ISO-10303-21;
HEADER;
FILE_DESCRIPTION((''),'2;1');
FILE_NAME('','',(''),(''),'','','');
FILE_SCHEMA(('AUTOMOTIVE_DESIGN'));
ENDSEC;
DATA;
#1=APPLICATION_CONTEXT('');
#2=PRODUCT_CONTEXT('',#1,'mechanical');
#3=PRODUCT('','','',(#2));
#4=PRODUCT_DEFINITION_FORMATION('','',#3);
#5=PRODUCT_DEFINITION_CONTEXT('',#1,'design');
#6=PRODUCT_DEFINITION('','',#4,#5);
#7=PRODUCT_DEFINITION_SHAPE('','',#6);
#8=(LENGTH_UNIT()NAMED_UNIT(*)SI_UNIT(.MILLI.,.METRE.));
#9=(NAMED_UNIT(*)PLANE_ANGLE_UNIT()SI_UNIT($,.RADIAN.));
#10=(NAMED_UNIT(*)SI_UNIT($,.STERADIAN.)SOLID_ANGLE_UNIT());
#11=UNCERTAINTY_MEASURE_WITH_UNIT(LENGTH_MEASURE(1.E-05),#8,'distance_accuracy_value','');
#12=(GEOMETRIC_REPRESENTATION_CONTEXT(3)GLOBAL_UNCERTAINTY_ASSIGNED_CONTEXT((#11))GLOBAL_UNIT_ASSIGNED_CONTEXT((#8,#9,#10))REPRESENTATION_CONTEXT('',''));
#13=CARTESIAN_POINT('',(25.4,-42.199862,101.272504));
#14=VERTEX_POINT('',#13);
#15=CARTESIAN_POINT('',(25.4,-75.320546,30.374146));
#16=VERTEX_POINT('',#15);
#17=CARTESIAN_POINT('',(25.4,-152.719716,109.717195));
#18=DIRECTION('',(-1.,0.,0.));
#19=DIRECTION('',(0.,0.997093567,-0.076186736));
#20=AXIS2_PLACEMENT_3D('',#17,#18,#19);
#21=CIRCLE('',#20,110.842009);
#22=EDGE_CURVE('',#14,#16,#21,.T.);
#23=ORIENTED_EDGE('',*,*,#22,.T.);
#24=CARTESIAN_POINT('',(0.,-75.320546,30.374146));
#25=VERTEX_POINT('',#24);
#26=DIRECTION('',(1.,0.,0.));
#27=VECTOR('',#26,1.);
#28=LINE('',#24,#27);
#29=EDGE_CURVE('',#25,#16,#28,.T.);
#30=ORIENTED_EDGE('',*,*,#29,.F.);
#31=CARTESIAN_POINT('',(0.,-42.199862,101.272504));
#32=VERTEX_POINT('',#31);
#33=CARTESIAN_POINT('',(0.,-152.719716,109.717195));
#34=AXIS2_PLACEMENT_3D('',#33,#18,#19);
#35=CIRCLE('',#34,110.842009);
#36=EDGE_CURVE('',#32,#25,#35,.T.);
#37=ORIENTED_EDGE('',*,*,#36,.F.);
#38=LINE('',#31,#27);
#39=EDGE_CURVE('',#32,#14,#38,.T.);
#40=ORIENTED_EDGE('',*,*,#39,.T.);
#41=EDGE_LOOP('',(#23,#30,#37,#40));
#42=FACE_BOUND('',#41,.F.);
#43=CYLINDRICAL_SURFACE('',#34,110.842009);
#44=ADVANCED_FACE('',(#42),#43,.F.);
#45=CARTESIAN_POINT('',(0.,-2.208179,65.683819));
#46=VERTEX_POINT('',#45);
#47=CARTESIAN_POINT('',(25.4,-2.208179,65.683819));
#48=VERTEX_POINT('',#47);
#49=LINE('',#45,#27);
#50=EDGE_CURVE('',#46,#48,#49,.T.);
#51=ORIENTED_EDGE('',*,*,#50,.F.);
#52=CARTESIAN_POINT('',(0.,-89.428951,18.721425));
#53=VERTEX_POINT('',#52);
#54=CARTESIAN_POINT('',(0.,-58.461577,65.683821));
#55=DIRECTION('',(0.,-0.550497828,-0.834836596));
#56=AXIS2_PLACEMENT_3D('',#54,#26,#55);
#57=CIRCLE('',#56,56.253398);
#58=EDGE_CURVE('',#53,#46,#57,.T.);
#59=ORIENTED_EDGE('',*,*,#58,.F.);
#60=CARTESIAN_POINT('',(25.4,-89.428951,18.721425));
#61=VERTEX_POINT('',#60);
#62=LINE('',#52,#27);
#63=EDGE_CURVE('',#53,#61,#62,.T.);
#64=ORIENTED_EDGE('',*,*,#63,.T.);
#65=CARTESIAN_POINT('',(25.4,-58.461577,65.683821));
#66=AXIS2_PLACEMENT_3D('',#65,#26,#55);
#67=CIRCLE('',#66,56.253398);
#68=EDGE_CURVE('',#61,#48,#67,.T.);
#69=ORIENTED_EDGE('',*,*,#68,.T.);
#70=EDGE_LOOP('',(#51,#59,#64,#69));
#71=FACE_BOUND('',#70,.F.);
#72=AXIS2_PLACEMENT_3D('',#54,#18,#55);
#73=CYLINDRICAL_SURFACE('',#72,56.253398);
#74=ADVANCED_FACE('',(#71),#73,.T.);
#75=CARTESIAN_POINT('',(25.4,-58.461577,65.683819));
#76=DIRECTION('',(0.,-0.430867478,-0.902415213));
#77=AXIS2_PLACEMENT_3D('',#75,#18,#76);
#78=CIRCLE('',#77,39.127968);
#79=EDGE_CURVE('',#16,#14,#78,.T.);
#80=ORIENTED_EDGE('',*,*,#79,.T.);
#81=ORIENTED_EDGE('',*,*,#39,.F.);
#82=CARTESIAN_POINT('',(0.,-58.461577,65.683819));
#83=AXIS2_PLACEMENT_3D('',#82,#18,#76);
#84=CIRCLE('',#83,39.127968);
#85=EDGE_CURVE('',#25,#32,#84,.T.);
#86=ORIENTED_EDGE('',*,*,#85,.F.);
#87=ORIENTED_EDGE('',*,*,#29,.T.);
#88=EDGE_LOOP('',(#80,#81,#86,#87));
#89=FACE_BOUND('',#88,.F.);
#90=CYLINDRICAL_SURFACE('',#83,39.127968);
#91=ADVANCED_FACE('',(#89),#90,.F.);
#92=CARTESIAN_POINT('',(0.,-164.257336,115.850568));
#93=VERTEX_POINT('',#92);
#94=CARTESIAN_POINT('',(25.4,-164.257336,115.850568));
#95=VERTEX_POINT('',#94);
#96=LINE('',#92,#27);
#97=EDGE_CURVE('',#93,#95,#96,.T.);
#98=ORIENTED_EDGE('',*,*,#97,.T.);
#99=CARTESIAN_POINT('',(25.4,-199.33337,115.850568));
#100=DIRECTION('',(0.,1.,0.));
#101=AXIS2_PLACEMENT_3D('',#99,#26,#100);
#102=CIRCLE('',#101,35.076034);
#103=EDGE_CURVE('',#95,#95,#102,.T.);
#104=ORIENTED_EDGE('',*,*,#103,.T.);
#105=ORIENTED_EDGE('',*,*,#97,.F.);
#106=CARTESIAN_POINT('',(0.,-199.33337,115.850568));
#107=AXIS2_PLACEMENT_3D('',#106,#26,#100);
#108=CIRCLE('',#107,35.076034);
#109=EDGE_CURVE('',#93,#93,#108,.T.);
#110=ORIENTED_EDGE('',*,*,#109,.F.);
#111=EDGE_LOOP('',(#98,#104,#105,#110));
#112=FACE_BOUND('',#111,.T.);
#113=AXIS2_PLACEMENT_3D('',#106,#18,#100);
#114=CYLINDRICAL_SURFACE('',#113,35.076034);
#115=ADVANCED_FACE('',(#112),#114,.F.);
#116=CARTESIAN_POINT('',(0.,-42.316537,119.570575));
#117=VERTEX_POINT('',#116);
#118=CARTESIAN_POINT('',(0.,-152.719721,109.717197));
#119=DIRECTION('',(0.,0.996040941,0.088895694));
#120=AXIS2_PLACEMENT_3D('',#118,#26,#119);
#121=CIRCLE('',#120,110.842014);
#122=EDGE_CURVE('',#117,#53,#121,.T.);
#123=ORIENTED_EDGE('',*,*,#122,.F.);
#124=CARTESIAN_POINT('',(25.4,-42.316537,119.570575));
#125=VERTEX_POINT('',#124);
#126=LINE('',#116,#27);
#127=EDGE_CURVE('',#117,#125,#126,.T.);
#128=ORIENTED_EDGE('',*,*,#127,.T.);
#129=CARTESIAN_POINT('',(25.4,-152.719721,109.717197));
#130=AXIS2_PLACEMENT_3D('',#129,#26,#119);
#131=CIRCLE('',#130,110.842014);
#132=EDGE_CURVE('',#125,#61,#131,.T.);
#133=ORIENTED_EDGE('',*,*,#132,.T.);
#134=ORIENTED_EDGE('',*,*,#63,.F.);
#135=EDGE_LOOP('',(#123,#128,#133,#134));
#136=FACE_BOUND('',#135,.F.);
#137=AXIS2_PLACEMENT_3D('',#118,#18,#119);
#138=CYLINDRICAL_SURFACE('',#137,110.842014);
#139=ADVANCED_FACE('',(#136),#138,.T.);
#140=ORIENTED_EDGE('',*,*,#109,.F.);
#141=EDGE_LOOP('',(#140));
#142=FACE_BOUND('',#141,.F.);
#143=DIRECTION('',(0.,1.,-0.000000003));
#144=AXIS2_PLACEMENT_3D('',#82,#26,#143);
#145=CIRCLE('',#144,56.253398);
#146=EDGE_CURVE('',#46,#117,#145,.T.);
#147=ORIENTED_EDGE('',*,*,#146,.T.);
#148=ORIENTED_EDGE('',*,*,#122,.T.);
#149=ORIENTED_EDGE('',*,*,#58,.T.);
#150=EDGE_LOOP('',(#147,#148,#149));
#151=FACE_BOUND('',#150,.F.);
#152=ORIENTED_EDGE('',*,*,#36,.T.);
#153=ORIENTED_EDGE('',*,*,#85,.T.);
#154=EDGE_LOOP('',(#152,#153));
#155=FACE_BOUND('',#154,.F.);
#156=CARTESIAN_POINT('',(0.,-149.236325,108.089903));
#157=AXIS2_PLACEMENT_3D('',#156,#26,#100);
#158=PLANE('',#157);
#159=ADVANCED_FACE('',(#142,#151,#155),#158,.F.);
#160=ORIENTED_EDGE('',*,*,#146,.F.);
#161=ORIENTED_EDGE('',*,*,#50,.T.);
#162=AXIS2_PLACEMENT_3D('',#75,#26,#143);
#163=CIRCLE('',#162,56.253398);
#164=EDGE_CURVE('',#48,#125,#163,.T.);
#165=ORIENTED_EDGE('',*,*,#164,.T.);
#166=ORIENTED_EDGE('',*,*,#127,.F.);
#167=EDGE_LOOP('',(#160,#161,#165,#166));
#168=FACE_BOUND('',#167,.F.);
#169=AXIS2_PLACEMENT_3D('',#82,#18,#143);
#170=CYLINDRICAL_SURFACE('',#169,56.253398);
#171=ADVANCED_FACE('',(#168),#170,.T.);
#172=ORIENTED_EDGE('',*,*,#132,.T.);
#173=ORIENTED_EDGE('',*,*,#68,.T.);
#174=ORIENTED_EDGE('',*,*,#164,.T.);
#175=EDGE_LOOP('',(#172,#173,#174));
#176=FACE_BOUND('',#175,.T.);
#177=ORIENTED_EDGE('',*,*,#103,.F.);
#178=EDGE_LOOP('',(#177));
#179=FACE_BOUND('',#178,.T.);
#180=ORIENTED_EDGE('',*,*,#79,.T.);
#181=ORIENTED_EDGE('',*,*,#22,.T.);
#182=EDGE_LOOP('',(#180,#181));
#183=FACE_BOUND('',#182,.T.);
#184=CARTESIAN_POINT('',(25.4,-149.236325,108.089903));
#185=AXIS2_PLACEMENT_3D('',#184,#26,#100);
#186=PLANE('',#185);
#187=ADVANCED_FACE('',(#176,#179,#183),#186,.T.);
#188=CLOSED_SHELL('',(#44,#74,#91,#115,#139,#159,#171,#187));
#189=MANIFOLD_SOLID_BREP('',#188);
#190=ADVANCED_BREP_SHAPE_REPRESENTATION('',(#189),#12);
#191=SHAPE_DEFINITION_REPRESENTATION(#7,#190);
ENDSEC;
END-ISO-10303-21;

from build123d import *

# Parameters (mm, degrees)
F0_R     = 35.076034
F1_DEPTH = 25.4


with BuildPart() as f1:
    # F0 (on Right) → F1 (new body)
    with BuildSketch(Plane.YZ):
        with BuildLine():
            ThreePointArc((-89.428951, 18.721425), (-109.427871, 89.493095), (-42.316537, 119.570575))
            ThreePointArc((-42.316537, 119.570575), (-253.143997, 156.631129), (-89.428951, 18.721425))
        make_face()
        with Locations((-199.33337, 115.850568)):
            Circle(F0_R, mode=Mode.SUBTRACT)
        with BuildLine():
            ThreePointArc((-89.428951, 18.721425), (-31.793012, 16.153704), (-2.208179, 65.683819))
            ThreePointArc((-2.208179, 65.683819), (-13.335874, 99.271253), (-42.316537, 119.570575))
            ThreePointArc((-42.316537, 119.570575), (-41.987468, 114.64877), (-41.877707, 109.717198))
            ThreePointArc((-41.877707, 109.717198), (-41.958275, 105.49178), (-42.199862, 101.272504))
            ThreePointArc((-42.199862, 101.272504), (-25.542846, 86.834588), (-19.333609, 65.683819))
            ThreePointArc((-19.333609, 65.683819), (-37.588859, 32.588087), (-75.320546, 30.374146))
            ThreePointArc((-75.320546, 30.374146), (-82.133875, 24.256151), (-89.428951, 18.721425))
        make_face()
        with BuildLine():
            ThreePointArc((-41.877707, 109.717198), (-41.987468, 114.64877), (-42.316537, 119.570575))
            ThreePointArc((-42.316537, 119.570575), (-109.427871, 89.493095), (-89.428951, 18.721425))
            ThreePointArc((-89.428951, 18.721425), (-82.133875, 24.256151), (-75.320546, 30.374146))
            ThreePointArc((-75.320546, 30.374146), (-93.912014, 82.244749), (-42.199862, 101.272504))
            ThreePointArc((-42.199862, 101.272504), (-41.958275, 105.49178), (-41.877707, 109.717198))
        make_face()
        with BuildLine():
            ThreePointArc((-42.199862, 101.272504), (-52.295445, 62.803266), (-75.320546, 30.374146))
            ThreePointArc((-75.320546, 30.374146), (-37.588859, 32.588087), (-19.333609, 65.683819))
            ThreePointArc((-19.333609, 65.683819), (-25.542846, 86.834588), (-42.199862, 101.272504))
        make_face()
    extrude(amount=F1_DEPTH)


solid = f1.part
